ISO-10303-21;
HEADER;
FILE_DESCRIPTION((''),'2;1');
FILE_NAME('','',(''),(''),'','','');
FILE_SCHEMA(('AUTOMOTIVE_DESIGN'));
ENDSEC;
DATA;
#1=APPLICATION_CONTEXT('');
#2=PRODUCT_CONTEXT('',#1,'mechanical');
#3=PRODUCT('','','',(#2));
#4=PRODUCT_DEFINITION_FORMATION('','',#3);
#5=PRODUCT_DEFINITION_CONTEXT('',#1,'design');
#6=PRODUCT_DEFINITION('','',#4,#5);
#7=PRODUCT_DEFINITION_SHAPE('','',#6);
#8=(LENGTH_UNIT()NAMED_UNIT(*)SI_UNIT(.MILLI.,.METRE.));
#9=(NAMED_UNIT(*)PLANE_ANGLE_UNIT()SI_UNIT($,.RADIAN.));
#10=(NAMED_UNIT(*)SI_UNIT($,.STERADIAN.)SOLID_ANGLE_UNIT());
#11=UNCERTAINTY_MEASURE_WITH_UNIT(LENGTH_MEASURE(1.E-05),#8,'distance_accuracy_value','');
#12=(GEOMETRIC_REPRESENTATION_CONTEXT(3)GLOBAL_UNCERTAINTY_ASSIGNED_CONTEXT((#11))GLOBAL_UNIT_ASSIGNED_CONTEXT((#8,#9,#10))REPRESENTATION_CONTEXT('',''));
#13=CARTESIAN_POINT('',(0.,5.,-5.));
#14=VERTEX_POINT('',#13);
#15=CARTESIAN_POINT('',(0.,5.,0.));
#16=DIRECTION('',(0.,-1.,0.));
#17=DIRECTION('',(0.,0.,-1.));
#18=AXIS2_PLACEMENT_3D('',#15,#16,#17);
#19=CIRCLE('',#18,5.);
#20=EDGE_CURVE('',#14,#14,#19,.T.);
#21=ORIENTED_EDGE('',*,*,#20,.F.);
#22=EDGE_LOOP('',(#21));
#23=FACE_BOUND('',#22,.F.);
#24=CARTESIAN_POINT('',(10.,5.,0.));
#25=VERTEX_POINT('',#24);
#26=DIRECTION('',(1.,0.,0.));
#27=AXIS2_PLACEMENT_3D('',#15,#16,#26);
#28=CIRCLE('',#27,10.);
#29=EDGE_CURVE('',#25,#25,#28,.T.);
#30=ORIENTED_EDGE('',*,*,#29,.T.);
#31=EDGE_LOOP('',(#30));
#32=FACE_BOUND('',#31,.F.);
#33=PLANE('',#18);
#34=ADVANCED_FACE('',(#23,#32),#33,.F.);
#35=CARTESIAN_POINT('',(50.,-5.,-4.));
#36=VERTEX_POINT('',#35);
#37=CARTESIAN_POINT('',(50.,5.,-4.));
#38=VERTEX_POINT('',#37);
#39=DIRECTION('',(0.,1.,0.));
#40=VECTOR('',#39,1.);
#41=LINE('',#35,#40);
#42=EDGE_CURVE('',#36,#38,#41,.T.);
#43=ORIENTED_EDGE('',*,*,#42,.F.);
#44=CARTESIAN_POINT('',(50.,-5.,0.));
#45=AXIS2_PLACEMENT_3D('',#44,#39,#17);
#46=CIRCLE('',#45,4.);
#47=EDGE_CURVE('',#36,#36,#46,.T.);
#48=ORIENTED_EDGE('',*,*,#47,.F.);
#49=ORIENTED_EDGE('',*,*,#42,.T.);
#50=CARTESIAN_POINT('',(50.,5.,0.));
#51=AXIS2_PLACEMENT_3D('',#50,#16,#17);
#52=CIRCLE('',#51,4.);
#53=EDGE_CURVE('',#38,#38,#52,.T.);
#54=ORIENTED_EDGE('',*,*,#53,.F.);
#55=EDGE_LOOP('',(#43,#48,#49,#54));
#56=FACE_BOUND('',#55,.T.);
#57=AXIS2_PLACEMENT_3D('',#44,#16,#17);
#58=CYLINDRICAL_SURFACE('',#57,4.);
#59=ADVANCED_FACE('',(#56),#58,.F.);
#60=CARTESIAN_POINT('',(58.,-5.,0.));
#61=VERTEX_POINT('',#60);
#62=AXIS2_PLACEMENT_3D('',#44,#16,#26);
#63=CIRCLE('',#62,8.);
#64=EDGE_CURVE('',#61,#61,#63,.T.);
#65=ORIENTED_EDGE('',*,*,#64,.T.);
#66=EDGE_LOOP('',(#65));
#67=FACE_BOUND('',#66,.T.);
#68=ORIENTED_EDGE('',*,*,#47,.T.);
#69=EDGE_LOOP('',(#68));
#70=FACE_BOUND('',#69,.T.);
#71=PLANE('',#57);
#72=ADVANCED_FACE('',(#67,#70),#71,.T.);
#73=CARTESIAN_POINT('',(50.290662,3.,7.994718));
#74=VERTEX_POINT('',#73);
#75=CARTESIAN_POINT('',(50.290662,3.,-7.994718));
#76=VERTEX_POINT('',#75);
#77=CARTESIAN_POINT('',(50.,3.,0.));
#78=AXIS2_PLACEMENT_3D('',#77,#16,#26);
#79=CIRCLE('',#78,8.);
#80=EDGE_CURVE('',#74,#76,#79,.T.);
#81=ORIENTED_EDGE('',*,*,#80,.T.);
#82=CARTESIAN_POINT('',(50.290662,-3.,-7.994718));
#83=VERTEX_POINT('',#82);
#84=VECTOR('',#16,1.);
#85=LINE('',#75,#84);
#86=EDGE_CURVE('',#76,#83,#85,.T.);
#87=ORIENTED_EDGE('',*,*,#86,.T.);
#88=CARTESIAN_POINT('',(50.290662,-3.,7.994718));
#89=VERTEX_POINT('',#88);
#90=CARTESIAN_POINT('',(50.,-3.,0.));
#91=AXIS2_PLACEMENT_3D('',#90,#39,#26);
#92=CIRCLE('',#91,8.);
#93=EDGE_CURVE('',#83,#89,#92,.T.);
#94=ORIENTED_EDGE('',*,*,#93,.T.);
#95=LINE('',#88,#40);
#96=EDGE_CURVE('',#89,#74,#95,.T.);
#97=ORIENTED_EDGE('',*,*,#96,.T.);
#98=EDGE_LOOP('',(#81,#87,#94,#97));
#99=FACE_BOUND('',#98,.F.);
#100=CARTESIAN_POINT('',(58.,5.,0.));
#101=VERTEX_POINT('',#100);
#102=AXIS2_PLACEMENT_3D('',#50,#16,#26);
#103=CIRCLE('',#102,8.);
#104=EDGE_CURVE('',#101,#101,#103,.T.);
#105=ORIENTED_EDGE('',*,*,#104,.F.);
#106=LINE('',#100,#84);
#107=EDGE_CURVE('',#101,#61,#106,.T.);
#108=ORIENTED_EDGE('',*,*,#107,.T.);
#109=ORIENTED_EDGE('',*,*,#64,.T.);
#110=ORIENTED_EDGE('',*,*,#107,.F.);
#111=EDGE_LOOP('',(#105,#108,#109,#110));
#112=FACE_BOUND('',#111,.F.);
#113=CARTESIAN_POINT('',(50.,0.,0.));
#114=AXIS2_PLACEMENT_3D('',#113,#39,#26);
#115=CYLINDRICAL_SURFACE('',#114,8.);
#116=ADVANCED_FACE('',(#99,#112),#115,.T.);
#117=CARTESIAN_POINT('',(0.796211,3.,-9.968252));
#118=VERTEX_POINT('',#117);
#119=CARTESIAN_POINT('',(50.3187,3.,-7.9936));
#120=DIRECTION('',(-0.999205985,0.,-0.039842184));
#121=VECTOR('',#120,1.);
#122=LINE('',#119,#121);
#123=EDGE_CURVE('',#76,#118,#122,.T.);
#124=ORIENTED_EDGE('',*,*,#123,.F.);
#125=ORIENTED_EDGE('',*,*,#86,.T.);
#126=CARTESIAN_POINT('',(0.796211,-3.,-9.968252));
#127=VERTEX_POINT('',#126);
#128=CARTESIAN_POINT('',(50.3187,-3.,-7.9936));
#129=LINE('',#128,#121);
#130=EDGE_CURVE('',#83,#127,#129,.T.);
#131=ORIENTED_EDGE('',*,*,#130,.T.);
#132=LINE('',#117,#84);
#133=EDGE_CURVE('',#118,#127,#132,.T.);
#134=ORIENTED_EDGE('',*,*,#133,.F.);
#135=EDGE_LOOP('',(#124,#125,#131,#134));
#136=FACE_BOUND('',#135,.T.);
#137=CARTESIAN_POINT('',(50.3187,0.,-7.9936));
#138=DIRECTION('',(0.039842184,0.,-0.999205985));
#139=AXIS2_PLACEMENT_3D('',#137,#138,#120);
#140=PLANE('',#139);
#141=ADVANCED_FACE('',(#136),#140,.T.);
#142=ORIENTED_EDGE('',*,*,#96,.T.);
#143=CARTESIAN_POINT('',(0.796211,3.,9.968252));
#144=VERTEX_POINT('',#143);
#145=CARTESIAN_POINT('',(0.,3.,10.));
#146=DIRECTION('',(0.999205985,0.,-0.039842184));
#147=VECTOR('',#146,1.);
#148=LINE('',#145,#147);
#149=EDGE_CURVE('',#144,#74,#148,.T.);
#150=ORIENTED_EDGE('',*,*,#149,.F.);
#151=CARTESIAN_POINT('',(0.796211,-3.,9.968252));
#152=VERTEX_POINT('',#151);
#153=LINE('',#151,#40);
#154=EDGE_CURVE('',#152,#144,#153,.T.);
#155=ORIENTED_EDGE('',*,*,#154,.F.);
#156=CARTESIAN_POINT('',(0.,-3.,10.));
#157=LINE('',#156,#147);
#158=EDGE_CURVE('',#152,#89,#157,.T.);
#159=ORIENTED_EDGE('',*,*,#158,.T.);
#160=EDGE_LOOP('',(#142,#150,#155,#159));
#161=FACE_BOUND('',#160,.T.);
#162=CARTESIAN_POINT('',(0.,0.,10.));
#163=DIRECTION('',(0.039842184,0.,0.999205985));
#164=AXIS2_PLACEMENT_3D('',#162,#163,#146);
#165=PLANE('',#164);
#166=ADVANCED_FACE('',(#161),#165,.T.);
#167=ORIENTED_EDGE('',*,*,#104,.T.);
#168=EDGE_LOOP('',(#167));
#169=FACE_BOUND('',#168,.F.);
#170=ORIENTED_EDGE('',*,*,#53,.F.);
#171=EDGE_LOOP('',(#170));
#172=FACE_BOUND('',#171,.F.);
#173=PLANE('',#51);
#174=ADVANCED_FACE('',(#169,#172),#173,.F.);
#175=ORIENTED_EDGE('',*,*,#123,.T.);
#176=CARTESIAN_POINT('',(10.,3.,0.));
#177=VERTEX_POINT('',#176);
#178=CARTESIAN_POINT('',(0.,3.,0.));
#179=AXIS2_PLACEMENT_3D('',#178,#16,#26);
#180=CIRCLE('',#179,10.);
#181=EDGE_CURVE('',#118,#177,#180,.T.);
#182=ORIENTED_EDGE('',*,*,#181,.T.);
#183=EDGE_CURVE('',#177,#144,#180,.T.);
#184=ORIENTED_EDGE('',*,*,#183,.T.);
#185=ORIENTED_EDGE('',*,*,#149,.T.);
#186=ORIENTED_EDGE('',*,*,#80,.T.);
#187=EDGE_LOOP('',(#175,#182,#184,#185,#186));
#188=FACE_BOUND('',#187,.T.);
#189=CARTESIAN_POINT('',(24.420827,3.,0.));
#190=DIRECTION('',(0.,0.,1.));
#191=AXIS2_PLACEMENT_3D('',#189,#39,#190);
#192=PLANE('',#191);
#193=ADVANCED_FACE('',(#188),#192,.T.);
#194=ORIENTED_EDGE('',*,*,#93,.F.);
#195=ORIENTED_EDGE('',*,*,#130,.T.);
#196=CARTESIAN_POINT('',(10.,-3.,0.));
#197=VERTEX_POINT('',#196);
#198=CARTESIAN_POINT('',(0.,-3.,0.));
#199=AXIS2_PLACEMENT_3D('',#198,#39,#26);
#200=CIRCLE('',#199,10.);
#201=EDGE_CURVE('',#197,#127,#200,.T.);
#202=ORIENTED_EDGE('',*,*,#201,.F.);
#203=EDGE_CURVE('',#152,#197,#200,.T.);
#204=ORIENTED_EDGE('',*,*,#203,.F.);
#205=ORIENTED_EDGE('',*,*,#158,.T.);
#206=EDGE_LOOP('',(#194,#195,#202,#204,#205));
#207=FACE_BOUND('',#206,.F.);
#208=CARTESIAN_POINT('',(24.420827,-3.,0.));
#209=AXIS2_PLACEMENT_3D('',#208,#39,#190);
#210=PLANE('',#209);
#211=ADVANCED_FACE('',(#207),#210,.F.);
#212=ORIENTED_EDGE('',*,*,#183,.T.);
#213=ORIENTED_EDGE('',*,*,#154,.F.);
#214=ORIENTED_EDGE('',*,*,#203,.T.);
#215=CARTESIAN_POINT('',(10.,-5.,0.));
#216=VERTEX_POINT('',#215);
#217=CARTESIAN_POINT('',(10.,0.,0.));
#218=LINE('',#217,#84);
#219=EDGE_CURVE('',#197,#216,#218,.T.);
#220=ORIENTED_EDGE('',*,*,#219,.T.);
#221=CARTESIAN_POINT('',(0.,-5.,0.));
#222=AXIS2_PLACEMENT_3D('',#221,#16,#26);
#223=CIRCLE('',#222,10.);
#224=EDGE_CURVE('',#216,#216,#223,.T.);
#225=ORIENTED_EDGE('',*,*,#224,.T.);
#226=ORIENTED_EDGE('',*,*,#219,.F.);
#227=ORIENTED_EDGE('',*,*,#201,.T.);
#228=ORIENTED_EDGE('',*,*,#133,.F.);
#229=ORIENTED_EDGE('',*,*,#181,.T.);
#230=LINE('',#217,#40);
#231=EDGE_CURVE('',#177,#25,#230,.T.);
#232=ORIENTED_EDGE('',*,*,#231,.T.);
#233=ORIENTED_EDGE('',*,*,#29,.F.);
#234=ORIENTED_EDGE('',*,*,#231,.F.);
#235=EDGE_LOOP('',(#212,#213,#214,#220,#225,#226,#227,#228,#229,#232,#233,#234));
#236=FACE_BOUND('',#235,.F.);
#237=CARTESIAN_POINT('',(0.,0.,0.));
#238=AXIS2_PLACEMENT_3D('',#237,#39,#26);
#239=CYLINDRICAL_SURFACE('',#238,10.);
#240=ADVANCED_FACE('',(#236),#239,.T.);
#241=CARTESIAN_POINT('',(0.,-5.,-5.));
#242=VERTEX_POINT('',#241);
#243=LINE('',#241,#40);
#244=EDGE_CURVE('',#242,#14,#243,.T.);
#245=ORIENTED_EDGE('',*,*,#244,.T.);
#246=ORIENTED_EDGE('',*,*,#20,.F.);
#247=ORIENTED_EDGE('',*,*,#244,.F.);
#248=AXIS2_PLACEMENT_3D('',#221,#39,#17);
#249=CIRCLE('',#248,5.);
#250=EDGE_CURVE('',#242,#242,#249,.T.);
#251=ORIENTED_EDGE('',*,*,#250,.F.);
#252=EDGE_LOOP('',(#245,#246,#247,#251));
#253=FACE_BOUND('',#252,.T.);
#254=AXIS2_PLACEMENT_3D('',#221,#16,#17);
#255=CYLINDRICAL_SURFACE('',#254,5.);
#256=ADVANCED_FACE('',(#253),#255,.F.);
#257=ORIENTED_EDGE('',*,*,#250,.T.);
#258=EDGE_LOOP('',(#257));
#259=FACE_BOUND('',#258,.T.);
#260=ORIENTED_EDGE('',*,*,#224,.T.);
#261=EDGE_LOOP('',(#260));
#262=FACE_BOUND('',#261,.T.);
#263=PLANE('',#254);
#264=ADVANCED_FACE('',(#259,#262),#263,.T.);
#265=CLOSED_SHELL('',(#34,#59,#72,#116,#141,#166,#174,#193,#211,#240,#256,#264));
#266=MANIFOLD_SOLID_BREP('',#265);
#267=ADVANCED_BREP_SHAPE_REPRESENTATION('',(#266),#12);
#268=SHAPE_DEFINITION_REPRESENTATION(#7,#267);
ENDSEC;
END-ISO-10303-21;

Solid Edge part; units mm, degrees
sketch "Sketch1" plane through (0, 0, 0) normal (0, -1, 0) x (1, 0, 0)
  circle A0 centre (0, 0) radius 10
extrude "Protrusion1" add sketch "Sketch1" along normal mid plane 10
sketch "Sketch2" plane through (0, 0, 0) normal (0, -1, 0) x (1, 0, 0)
  circle A0 centre (50, 0) radius 8
extrude "Extrusionsausprägung_2" add sketch "Sketch2" along normal mid plane 10
sketch "Sketch3" plane through (0, 0, 0) normal (0, -1, 0) x (1, 0, 0)
  line L0 (0, 10) -> (50.3187, 7.9936)
  line L1 (50.3187, 7.9936) -> (50.3187, -7.9936)
  line L2 (50.3187, -7.9936) -> (0, -10)
  line L3 (0, -10) -> (0, 10)
extrude "Extrusionsausprägung_3" add sketch "Sketch3" along normal mid plane 6
hole "Bohrung_3" at (0, -5, 0) direction (0, 1, 0) diameter 10 end through all
hole "Bohrung_4" at (50, -5, 0) direction (0, 1, 0) diameter 8 end up to next
properties part number "H00" material "Verzinkter Stahl"
